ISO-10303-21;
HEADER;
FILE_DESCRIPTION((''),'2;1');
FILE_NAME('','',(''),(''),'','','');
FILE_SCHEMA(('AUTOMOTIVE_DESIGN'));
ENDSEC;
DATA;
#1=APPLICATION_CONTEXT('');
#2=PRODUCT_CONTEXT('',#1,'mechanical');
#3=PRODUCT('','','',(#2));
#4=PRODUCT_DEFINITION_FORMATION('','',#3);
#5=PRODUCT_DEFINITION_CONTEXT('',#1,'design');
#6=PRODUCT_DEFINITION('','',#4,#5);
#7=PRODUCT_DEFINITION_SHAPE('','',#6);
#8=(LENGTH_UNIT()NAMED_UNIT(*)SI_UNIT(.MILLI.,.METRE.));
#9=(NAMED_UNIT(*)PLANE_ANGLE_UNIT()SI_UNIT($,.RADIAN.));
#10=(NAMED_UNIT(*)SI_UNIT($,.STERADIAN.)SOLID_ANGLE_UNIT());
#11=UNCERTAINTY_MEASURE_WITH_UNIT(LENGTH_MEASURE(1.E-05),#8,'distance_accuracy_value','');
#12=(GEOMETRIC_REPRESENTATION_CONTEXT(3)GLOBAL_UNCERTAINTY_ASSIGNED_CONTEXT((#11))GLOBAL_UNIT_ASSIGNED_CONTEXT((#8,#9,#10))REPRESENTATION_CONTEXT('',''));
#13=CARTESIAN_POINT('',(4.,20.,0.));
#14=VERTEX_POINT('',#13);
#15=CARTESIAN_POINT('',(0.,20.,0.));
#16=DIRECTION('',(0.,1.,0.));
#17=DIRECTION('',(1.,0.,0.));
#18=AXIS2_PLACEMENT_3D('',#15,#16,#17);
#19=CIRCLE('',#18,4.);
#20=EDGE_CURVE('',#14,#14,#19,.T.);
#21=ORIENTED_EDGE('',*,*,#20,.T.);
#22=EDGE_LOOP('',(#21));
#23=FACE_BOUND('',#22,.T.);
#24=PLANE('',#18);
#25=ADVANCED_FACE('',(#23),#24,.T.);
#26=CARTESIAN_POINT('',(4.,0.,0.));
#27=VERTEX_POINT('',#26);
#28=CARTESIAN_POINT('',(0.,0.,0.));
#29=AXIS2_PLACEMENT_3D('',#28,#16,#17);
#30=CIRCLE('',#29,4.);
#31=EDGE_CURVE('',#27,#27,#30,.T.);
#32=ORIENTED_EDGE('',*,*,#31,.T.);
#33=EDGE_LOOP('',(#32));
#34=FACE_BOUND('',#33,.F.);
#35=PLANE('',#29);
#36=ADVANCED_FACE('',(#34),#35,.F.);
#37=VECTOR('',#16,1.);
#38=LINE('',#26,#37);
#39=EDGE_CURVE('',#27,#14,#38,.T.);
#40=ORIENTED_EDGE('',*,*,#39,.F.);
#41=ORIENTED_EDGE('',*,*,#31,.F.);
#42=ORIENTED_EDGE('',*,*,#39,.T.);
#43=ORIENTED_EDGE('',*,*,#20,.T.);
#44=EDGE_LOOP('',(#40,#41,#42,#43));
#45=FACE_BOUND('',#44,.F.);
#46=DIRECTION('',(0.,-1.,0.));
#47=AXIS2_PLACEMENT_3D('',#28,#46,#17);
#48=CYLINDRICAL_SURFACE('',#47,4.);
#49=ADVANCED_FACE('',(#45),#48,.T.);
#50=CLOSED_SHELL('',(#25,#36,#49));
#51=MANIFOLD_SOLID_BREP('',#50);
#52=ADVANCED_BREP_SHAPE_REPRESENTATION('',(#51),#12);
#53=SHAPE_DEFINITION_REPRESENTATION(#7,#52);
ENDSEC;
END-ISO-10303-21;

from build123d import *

# Parameters (mm, degrees)
SKETCH1_R           = 4
BOSS_EXTRUDE1_DEPTH = 20


with BuildPart() as part:
    # Sketch1 → Boss-Extrude1 (new body)
    with BuildSketch(Plane(origin=(0, 0, 0), x_dir=(1, 0, 0), z_dir=(0, 1, 0))):
        Circle(SKETCH1_R)
    extrude(amount=BOSS_EXTRUDE1_DEPTH)


solid = part.part
